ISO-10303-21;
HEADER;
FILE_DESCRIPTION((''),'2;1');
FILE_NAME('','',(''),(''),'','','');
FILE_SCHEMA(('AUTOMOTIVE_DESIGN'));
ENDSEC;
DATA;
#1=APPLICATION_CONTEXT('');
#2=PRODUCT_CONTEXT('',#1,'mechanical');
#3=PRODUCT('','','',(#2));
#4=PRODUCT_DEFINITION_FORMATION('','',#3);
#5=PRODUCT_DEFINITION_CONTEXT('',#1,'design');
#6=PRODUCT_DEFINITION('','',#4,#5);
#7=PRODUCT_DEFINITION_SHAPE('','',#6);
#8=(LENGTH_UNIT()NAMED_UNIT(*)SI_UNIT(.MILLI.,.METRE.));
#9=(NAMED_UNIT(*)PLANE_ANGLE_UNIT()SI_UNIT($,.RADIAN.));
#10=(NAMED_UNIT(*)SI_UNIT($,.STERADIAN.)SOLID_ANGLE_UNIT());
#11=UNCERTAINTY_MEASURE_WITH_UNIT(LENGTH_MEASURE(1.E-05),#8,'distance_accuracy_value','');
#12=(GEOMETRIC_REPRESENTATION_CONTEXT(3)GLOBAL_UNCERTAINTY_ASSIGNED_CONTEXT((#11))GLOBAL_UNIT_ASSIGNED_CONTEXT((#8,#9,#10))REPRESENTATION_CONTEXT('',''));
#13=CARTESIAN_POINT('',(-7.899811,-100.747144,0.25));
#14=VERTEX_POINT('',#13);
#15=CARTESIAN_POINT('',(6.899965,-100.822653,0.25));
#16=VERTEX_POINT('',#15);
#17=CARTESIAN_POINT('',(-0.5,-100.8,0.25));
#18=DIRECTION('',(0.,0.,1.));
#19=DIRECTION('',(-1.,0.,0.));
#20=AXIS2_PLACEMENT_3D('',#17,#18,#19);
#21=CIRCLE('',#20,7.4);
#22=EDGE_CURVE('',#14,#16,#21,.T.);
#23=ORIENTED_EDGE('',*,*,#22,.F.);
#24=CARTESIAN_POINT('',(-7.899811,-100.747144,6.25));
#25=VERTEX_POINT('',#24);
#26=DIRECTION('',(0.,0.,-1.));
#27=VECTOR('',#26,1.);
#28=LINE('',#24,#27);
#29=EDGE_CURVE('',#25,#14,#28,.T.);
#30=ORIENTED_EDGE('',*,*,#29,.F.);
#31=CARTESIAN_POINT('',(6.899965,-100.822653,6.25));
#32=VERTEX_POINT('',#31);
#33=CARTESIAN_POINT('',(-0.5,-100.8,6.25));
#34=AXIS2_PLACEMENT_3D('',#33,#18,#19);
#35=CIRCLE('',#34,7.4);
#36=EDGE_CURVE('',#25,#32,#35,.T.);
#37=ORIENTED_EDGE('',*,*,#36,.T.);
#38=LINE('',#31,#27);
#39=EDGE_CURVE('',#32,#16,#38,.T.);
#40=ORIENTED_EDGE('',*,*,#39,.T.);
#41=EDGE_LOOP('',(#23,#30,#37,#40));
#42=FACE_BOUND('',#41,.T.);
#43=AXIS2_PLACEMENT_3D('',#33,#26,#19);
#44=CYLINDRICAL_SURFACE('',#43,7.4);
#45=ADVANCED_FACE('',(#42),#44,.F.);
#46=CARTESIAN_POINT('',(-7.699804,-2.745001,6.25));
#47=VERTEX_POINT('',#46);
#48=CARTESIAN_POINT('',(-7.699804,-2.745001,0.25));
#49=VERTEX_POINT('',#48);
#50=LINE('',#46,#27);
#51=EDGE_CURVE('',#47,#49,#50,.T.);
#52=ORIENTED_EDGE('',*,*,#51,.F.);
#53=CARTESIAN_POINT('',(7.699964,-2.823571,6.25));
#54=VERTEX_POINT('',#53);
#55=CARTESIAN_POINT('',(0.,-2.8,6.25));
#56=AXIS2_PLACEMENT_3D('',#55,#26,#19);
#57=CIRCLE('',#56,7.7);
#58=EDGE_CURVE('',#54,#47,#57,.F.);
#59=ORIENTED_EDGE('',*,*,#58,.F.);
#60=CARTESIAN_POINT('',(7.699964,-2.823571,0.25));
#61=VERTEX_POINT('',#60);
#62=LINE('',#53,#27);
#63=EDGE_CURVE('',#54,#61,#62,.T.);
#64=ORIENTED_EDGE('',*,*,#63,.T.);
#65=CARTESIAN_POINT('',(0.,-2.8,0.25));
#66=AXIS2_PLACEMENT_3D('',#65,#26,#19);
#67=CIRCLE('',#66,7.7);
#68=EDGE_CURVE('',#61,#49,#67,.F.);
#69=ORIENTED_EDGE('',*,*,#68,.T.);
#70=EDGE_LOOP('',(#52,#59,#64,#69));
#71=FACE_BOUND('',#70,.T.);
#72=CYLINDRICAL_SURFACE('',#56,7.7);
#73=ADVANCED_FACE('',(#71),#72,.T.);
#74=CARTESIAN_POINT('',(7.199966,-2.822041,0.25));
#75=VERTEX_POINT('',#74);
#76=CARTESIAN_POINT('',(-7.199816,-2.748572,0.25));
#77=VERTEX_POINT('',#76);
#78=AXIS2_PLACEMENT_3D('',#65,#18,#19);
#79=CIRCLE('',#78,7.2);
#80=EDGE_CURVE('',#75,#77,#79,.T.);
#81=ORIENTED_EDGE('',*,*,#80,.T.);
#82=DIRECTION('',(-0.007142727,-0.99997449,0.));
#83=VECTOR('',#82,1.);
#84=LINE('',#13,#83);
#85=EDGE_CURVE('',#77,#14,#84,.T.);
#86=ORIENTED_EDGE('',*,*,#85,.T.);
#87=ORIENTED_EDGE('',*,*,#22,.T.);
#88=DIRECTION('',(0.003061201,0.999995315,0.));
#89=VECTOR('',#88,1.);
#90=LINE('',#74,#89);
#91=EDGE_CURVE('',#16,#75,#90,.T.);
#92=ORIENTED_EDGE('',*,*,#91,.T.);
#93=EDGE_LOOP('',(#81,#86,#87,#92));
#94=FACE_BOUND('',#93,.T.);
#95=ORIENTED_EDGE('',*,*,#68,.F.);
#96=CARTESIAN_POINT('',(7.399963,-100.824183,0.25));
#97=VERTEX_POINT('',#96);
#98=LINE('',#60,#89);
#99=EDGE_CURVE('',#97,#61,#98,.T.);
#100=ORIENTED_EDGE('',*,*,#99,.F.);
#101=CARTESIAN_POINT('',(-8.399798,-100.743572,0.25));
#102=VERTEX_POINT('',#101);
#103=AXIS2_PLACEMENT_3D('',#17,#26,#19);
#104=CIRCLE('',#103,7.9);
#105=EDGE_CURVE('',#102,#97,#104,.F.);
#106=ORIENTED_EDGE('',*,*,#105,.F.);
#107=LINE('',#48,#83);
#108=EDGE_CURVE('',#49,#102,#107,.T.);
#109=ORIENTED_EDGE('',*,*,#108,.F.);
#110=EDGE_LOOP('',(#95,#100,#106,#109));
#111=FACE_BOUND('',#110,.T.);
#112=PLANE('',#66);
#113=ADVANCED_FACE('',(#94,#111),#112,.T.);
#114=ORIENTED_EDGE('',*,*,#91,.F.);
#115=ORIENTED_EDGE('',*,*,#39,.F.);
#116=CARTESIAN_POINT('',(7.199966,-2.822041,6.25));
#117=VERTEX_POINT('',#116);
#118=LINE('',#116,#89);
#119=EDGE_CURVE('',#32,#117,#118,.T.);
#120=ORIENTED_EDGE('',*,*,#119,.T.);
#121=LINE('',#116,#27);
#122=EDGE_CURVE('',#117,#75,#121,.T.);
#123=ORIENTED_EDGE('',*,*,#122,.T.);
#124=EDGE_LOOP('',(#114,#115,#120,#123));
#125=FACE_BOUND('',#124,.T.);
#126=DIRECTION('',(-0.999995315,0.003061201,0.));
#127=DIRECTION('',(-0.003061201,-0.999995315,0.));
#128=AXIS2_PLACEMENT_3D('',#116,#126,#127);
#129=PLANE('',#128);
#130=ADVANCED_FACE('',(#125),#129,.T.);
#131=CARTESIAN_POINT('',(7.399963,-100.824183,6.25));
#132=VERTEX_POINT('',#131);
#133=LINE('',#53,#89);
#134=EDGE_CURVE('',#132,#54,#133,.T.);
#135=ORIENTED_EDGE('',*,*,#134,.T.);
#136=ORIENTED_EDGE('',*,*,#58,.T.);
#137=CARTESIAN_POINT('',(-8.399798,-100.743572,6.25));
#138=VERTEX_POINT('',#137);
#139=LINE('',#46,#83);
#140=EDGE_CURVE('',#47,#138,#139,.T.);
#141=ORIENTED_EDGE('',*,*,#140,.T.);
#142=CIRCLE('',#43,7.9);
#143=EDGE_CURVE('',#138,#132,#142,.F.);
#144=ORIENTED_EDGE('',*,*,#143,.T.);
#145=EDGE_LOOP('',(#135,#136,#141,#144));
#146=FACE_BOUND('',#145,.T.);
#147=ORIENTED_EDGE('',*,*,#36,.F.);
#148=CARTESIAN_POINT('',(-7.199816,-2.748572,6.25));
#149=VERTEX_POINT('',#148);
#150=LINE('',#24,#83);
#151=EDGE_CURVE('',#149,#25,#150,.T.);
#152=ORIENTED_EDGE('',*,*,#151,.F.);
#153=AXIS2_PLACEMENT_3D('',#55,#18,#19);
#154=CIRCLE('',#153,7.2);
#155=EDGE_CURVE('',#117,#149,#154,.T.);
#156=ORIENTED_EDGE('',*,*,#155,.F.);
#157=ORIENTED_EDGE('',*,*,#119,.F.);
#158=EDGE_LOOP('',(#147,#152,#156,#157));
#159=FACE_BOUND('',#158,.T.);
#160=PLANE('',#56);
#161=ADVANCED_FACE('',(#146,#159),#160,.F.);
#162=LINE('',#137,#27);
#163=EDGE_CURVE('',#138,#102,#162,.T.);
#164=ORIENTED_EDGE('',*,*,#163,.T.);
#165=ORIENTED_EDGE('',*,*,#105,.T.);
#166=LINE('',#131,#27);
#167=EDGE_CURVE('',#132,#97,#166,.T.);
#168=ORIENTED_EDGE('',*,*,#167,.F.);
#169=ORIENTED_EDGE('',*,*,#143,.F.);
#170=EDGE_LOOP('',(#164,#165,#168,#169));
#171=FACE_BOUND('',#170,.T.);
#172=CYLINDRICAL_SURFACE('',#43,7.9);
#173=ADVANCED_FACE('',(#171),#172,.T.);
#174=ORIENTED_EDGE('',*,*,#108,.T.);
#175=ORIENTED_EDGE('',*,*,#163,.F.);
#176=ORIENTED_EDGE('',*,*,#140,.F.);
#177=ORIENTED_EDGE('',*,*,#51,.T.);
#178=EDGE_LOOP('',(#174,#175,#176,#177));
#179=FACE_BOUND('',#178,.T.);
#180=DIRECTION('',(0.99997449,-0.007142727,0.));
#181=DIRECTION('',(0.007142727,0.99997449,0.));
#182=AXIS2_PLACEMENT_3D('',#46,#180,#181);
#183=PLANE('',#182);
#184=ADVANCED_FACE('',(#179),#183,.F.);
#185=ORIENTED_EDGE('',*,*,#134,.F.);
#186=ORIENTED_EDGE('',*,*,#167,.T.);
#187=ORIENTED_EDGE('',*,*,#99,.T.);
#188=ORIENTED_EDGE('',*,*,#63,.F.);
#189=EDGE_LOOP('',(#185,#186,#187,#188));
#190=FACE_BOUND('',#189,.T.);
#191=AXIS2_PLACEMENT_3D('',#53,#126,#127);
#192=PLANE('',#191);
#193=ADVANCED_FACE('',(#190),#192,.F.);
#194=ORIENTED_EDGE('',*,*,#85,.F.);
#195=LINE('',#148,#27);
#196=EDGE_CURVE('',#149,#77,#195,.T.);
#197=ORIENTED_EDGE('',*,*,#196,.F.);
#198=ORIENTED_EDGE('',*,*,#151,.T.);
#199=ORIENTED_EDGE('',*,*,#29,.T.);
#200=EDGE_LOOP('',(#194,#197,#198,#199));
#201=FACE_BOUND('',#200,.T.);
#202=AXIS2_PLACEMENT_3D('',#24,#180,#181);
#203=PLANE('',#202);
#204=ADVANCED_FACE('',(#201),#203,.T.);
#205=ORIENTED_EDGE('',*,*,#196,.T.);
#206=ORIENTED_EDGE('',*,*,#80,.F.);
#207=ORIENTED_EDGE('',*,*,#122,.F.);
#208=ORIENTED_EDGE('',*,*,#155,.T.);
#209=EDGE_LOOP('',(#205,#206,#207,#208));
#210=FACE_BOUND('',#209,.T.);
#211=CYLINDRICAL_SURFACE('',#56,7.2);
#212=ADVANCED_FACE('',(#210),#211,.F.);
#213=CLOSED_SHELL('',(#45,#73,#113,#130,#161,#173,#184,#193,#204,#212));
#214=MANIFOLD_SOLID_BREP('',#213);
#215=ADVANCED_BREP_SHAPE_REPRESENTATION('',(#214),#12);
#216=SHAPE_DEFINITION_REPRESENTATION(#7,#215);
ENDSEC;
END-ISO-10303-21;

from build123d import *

# Parameters (mm, degrees)
EXTRUDE_THIN1_START = 0.25
EXTRUDE_THIN1_DEPTH = 6


with BuildPart() as part:
    # Sketch2 → Extrude-Thin1 (new body)
    with BuildSketch(Plane.XY.offset(EXTRUDE_THIN1_START)):
        with BuildLine():
            Line((-8.399798474, -100.743572457), (-7.699803576, -2.745001002))
            ThreePointArc((-7.699803576, -2.745001002), (0.039285203, 4.899899783), (7.699963922, -2.823571244))
            Line((7.699963922, -2.823571244), (7.399962985, -100.824183485))
            ThreePointArc((7.399962985, -100.824183485), (-0.540305598, -108.69989718), (-8.399798474, -100.743572457))
        make_face()
        with BuildLine():
            Line((-7.899811229, -100.74714382), (-7.199816331, -2.748572366))
            ThreePointArc((-7.199816331, -2.748572366), (0.036734216, 4.399906291), (7.199966265, -2.822040644))
            Line((7.199966265, -2.822040644), (6.899965327, -100.822652884))
            ThreePointArc((6.899965327, -100.822652884), (-0.537754611, -108.199903688), (-7.899811229, -100.74714382))
        make_face(mode=Mode.SUBTRACT)
    extrude(amount=EXTRUDE_THIN1_DEPTH)


solid = part.part
